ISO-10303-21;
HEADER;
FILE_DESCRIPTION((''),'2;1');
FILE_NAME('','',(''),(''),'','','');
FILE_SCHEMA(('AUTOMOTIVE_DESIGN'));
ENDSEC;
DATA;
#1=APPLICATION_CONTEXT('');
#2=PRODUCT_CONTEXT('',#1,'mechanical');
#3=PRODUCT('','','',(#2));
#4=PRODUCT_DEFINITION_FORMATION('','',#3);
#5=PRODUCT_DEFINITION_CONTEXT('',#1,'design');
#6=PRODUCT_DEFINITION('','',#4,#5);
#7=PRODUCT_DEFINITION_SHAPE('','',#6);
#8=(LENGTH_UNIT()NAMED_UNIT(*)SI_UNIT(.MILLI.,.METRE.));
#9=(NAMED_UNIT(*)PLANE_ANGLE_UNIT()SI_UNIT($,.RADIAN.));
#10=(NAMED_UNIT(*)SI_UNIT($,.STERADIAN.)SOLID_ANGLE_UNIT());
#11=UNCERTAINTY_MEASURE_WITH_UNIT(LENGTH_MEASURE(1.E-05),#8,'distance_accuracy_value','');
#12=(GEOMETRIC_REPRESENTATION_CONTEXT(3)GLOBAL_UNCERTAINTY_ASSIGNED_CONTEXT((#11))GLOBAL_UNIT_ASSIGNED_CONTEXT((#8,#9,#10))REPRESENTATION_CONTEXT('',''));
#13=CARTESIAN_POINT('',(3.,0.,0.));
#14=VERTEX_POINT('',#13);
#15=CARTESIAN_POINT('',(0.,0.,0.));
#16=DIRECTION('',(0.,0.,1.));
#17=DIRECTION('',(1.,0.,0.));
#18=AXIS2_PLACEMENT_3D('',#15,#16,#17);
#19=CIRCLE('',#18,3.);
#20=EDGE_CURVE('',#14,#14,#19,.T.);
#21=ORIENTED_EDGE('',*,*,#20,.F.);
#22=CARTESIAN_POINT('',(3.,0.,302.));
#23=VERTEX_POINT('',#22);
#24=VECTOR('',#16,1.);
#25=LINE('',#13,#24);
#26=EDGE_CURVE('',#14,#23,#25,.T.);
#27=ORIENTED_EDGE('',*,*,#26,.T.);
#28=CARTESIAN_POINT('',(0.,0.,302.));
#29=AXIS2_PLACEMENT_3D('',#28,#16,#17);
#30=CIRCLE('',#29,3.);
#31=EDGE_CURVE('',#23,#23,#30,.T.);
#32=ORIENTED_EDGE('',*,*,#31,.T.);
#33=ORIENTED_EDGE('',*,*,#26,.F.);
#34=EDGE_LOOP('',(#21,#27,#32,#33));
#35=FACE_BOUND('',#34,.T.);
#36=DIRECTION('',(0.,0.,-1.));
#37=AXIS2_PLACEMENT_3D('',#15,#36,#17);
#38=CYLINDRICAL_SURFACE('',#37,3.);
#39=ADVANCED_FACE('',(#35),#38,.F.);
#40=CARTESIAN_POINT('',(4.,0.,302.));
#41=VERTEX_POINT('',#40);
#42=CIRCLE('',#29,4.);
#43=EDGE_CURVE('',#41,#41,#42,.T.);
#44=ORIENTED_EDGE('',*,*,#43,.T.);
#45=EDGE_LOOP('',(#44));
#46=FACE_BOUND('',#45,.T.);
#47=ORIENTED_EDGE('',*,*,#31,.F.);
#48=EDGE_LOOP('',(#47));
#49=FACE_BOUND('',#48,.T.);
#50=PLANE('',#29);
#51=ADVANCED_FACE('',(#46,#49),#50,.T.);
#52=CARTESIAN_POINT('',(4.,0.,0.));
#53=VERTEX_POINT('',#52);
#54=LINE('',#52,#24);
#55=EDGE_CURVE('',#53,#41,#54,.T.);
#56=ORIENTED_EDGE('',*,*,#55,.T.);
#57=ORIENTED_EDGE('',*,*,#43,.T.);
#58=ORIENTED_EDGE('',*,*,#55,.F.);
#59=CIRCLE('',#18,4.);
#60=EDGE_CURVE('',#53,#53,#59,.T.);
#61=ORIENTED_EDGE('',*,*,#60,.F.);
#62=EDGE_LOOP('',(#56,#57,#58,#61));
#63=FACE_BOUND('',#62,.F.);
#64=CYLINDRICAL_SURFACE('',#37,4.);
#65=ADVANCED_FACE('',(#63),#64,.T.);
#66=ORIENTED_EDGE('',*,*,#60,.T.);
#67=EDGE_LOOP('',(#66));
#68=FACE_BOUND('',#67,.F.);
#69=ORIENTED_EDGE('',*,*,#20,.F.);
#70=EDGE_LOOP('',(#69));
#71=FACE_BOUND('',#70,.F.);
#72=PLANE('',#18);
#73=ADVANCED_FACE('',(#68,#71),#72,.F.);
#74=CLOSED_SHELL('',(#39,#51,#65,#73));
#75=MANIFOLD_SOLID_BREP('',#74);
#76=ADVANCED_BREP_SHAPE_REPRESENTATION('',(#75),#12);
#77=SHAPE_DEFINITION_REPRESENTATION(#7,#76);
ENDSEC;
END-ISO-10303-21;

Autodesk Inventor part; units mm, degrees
ref_plane "YZ Plane" through (0, 0, 0) normal (1, 0, 0) x (0, 1, 0)
ref_plane "XZ Plane" through (0, 0, 0) normal (0, 1, 0) x (-1, 0, 0)
ref_plane "XY Plane" through (0, 0, 0) normal (0, 0, 1) x (1, 0, 0)
sketch "Sketch1" plane through (0, 0, 0) normal (0, 0, 1) x (1, 0, 0)
  circle A0 centre (0, 0) radius 3
  circle A1 centre (0, 0) radius 4
  dimension "d0" = 6
  dimension "d1" = 8
extrude "Extrusion1" add sketch "Sketch1" along normal blind 302
properties part number "2P.03.01.03.IM.AileronSpar" material "CFRP"
